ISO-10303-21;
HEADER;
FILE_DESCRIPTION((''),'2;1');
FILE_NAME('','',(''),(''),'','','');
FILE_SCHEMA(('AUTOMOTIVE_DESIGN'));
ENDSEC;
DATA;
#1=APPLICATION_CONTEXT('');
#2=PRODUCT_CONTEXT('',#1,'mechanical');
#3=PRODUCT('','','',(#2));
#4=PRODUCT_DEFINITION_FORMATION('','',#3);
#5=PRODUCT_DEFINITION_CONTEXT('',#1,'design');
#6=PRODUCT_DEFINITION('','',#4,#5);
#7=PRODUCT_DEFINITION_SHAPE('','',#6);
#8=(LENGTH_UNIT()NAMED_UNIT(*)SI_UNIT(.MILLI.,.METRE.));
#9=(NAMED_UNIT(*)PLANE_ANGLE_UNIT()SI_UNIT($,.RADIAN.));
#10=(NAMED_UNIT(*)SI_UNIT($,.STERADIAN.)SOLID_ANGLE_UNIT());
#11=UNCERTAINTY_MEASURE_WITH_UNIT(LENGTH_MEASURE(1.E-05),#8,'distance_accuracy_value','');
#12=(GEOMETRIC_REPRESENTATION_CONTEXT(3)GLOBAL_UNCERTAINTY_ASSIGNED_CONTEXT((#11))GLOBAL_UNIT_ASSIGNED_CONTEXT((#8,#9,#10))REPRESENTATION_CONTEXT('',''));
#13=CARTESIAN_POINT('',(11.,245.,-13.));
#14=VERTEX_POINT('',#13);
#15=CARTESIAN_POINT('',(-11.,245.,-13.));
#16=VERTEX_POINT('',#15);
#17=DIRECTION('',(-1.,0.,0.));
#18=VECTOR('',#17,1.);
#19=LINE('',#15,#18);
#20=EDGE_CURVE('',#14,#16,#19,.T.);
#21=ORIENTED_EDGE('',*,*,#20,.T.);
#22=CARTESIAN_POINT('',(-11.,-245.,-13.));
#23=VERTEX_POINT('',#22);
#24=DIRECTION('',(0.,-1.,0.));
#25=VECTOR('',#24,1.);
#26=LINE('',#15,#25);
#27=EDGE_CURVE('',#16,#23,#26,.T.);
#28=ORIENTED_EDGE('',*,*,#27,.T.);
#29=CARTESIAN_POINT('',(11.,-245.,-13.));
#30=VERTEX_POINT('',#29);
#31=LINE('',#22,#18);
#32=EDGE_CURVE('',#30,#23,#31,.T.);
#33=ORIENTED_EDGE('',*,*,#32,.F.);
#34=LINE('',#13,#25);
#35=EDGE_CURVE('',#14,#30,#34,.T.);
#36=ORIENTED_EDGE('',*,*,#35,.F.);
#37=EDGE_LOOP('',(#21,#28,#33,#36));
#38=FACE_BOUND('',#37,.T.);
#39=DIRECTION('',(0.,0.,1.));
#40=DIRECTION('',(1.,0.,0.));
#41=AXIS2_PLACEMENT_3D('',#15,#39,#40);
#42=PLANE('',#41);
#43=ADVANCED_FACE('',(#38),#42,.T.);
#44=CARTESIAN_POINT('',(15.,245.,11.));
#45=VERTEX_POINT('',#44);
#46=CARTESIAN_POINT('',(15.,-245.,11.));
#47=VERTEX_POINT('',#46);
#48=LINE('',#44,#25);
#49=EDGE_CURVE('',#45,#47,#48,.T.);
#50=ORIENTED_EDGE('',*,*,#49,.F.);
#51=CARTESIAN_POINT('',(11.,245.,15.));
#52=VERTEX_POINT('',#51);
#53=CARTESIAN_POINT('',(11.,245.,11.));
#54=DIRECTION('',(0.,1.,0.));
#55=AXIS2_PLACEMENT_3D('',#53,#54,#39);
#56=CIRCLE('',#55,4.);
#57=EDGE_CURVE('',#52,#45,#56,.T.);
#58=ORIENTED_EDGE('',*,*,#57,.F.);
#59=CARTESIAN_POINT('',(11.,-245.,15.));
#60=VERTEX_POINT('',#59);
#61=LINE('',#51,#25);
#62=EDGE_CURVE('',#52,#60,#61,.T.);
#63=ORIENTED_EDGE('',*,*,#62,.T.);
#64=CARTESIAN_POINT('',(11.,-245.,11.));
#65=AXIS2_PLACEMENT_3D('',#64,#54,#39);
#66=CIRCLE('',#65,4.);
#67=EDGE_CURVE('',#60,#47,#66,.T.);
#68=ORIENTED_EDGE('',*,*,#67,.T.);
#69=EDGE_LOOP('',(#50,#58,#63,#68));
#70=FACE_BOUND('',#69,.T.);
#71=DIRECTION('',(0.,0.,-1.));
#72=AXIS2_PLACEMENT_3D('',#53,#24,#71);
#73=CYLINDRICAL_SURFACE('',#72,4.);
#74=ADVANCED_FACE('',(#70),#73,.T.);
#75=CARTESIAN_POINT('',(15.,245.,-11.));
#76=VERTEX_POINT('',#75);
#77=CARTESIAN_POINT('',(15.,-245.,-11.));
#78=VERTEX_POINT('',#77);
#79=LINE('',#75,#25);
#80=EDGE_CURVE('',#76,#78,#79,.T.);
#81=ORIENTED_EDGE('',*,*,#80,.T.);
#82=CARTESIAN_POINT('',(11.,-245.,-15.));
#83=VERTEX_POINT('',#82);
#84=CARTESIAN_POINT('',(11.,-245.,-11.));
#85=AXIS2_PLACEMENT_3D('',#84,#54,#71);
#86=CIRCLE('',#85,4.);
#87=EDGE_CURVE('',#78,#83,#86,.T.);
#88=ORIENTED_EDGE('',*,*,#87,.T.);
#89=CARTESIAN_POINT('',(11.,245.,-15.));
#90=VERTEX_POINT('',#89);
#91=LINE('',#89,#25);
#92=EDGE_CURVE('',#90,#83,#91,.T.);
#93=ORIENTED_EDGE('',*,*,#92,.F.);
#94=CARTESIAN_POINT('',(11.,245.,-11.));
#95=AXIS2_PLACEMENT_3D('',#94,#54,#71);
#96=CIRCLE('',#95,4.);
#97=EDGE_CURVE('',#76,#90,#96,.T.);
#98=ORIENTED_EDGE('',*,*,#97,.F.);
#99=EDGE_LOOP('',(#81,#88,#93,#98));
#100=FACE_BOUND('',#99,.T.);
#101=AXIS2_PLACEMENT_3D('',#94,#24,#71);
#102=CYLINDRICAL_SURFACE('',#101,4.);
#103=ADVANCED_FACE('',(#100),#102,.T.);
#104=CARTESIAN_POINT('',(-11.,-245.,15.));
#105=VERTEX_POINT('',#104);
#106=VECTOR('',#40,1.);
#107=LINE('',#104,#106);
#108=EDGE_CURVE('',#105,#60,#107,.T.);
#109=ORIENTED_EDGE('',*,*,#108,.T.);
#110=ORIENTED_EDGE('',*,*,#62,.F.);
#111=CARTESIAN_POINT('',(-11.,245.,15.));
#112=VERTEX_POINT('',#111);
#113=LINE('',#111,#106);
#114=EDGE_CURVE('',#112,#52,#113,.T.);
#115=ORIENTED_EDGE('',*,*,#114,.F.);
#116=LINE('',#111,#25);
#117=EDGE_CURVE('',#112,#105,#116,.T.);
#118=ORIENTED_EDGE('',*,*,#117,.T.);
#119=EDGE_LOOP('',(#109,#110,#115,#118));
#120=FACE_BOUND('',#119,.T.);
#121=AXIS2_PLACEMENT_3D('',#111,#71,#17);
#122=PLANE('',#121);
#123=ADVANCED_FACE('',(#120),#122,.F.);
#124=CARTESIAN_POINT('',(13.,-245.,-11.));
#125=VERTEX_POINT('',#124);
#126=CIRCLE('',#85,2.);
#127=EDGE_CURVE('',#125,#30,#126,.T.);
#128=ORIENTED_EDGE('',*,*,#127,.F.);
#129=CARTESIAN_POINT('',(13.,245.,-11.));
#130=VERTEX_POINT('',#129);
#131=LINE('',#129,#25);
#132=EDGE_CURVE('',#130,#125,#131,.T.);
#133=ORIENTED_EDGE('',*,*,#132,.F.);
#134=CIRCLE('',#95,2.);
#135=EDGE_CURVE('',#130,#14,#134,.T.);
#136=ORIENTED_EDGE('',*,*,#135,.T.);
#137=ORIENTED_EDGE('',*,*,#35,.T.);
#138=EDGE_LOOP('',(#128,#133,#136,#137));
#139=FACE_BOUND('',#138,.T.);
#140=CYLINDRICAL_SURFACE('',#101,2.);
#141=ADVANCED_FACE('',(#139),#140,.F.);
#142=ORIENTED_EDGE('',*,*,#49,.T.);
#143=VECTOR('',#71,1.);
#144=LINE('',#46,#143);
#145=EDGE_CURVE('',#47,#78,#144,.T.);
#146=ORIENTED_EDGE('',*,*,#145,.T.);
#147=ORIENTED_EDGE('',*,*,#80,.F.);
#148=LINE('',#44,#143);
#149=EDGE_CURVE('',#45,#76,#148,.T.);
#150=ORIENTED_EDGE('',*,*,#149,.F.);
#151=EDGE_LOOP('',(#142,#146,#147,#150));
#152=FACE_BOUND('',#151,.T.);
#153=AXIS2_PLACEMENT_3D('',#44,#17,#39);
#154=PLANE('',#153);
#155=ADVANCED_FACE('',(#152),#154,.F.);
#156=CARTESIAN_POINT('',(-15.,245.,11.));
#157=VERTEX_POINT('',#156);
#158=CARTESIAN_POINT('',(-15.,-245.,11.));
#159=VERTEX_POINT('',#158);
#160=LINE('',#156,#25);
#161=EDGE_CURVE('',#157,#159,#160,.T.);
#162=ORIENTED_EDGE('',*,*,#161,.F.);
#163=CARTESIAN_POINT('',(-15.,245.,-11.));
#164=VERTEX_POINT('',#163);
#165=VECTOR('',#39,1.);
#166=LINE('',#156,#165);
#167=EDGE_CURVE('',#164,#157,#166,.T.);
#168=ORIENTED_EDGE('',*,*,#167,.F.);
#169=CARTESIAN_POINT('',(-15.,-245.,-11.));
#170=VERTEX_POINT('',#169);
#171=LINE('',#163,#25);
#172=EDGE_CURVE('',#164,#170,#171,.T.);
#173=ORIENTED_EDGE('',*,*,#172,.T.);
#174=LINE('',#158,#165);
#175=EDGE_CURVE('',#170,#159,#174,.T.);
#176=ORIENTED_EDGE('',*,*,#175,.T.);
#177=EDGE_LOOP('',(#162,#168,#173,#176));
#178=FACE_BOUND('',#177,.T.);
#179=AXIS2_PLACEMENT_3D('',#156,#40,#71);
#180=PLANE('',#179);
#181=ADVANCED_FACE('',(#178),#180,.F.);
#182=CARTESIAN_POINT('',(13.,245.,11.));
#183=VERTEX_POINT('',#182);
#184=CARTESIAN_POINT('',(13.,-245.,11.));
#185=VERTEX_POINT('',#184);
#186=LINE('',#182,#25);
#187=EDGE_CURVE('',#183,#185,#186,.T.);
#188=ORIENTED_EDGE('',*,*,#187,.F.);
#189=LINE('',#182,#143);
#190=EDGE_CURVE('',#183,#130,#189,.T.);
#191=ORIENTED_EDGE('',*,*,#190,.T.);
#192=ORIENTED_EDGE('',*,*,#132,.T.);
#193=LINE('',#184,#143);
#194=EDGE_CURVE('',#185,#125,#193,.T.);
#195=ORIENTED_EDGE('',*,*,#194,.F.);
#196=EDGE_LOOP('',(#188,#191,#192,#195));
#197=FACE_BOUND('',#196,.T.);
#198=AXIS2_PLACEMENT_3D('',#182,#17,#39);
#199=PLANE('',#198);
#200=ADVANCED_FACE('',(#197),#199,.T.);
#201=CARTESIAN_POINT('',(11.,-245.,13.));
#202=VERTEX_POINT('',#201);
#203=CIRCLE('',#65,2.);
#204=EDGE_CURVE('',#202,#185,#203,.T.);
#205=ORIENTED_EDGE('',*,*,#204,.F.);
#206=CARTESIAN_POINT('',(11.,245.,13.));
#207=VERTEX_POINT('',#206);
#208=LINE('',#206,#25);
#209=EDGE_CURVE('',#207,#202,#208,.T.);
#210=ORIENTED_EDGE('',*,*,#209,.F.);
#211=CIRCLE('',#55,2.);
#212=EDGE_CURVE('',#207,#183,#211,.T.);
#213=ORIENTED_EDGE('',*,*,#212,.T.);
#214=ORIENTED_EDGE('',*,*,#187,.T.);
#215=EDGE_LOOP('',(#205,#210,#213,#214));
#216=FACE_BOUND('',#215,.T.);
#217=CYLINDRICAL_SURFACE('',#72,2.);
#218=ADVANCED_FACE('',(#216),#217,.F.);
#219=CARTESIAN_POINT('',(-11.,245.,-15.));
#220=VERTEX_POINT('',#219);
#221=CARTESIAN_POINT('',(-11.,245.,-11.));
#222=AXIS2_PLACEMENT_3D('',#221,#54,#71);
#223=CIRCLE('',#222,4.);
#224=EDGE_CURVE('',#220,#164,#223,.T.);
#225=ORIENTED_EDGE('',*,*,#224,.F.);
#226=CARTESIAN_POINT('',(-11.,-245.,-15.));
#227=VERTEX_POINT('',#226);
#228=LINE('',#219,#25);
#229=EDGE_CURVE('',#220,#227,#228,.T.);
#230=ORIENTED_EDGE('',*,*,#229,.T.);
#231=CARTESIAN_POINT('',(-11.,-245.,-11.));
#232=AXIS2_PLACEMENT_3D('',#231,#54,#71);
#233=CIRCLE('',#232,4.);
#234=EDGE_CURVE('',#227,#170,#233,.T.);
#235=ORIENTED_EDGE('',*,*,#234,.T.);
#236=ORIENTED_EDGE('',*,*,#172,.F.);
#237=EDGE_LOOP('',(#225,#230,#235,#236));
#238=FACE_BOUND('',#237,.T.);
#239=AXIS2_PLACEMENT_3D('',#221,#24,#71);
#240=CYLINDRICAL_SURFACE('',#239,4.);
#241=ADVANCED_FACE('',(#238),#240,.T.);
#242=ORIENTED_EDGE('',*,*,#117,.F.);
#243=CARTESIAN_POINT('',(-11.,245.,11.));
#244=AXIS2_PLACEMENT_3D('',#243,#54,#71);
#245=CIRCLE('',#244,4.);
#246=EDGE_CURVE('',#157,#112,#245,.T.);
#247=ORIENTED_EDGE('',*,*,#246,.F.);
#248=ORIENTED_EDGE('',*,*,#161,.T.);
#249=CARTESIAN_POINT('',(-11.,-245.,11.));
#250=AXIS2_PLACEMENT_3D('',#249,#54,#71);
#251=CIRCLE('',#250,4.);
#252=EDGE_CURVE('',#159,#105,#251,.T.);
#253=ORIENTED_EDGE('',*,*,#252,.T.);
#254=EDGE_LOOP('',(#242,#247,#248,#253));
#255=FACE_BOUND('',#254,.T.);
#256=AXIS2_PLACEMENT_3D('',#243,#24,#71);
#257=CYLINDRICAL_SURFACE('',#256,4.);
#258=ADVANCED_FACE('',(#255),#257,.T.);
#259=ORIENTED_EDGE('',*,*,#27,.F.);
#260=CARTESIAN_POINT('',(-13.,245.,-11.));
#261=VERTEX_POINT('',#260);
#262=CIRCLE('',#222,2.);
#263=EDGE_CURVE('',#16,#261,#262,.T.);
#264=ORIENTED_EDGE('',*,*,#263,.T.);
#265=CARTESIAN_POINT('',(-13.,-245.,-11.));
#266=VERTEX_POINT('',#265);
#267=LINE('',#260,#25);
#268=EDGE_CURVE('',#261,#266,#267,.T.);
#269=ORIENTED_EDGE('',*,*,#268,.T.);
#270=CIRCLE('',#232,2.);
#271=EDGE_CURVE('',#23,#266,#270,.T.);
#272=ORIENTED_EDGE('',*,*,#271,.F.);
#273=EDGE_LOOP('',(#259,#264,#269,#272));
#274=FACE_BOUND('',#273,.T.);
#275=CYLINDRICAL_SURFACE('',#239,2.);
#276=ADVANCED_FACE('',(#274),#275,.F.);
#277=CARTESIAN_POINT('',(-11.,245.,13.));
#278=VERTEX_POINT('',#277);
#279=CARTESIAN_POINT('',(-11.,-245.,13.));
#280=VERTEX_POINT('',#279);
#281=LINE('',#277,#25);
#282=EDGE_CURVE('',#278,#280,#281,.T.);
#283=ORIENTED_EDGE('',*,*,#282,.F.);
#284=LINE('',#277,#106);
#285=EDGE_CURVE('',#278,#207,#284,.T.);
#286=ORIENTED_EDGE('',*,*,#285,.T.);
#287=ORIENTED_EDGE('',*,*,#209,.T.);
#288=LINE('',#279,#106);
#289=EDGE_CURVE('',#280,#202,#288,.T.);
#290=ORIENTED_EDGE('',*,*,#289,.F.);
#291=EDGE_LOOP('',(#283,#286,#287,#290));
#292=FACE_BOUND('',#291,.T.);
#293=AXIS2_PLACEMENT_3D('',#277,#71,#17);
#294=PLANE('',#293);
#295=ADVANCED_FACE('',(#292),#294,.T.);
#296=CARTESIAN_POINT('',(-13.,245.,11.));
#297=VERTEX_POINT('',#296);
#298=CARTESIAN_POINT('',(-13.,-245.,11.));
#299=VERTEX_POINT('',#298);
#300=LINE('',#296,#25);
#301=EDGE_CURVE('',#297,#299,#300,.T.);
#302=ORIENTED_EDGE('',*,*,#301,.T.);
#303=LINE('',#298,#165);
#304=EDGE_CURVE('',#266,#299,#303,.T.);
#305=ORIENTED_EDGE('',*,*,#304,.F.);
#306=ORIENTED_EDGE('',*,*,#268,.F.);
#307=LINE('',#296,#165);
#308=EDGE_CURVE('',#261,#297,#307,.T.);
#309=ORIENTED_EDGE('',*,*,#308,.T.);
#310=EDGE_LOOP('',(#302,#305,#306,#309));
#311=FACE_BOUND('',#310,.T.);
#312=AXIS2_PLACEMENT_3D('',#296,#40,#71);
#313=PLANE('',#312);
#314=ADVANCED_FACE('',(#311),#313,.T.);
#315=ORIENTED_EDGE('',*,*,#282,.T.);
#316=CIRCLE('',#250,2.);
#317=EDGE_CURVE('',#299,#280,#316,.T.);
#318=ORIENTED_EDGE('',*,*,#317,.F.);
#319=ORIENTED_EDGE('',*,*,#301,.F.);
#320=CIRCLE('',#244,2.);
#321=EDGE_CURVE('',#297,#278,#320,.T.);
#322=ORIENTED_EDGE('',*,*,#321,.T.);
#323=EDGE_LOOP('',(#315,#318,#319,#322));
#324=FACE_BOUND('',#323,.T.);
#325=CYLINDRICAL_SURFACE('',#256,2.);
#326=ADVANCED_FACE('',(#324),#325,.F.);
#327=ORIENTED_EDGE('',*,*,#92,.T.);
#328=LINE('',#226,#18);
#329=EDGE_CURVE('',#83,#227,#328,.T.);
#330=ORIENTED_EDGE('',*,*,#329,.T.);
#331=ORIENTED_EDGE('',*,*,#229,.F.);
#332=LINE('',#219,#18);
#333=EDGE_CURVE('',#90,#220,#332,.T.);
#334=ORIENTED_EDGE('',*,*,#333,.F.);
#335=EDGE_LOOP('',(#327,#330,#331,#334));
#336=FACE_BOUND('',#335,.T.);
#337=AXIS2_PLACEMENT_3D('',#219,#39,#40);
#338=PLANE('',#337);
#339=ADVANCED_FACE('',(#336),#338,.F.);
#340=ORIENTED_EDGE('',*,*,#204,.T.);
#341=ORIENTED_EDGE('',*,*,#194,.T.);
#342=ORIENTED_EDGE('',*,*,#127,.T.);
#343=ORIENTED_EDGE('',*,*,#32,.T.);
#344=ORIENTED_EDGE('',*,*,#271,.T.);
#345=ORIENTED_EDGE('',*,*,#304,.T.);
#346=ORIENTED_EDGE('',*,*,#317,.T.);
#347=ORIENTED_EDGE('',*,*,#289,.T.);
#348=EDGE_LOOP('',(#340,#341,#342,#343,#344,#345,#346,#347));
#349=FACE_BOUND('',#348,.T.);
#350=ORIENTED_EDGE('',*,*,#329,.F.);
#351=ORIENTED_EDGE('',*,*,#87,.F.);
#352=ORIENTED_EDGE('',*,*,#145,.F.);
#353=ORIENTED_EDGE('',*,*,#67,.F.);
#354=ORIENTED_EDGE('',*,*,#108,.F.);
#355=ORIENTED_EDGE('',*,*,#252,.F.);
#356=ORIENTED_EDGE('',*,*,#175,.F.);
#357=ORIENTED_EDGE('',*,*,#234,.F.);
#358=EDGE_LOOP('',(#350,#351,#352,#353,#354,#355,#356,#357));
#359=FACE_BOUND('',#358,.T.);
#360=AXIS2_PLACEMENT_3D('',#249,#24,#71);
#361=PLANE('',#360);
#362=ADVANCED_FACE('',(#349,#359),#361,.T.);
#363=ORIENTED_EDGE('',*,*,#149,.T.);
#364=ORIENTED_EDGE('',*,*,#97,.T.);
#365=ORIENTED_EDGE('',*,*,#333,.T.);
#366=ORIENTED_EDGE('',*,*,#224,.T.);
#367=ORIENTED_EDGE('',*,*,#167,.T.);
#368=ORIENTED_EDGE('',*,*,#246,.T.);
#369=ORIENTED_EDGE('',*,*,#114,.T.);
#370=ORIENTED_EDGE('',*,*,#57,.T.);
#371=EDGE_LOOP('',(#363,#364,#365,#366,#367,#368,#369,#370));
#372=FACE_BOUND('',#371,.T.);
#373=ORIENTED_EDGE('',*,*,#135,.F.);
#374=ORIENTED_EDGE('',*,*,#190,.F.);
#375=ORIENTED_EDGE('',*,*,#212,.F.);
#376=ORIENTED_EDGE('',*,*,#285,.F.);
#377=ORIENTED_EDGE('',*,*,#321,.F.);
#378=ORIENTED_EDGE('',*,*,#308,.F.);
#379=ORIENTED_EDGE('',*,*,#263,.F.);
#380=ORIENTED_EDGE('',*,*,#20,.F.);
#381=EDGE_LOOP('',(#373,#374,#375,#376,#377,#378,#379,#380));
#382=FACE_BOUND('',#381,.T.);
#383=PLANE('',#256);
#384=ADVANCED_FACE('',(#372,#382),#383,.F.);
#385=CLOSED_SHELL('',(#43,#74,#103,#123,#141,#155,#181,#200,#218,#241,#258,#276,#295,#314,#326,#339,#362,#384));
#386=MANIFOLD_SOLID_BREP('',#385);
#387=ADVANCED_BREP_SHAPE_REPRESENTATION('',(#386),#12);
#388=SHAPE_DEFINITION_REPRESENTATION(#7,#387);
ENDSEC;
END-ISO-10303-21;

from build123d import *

# Parameters (mm, degrees)
EXTRUDE_1_DEPTH = 245


with BuildPart() as part:
    # 草图1 → 凸台-拉伸1 (new, symmetric)
    with BuildSketch(Plane(origin=(0, 0, 0), x_dir=(1, 0, 0), z_dir=(0, 1, 0))):
        with BuildLine():
            Line((-11, -15), (11, -15))
            ThreePointArc((11, -15), (13.828427125, -13.828427125), (15, -11))
            Line((15, -11), (15, 11))
            ThreePointArc((15, 11), (13.828427125, 13.828427125), (11, 15))
            Line((11, 15), (-11, 15))
            ThreePointArc((-11, 15), (-13.828427125, 13.828427125), (-15, 11))
            Line((-15, 11), (-15, -11))
            ThreePointArc((-15, -11), (-13.828427125, -13.828427125), (-11, -15))
        make_face()
        with BuildLine():
            Line((-11, -13), (11, -13))
            ThreePointArc((11, -13), (12.414213562, -12.414213562), (13, -11))
            Line((13, -11), (13, 11))
            ThreePointArc((13, 11), (12.414213562, 12.414213562), (11, 13))
            Line((11, 13), (-11, 13))
            ThreePointArc((-11, 13), (-12.414213562, 12.414213562), (-13, 11))
            Line((-13, 11), (-13, -11))
            ThreePointArc((-13, -11), (-12.414213562, -12.414213562), (-11, -13))
        make_face(mode=Mode.SUBTRACT)
    extrude(amount=EXTRUDE_1_DEPTH, both=True)


solid = part.part
